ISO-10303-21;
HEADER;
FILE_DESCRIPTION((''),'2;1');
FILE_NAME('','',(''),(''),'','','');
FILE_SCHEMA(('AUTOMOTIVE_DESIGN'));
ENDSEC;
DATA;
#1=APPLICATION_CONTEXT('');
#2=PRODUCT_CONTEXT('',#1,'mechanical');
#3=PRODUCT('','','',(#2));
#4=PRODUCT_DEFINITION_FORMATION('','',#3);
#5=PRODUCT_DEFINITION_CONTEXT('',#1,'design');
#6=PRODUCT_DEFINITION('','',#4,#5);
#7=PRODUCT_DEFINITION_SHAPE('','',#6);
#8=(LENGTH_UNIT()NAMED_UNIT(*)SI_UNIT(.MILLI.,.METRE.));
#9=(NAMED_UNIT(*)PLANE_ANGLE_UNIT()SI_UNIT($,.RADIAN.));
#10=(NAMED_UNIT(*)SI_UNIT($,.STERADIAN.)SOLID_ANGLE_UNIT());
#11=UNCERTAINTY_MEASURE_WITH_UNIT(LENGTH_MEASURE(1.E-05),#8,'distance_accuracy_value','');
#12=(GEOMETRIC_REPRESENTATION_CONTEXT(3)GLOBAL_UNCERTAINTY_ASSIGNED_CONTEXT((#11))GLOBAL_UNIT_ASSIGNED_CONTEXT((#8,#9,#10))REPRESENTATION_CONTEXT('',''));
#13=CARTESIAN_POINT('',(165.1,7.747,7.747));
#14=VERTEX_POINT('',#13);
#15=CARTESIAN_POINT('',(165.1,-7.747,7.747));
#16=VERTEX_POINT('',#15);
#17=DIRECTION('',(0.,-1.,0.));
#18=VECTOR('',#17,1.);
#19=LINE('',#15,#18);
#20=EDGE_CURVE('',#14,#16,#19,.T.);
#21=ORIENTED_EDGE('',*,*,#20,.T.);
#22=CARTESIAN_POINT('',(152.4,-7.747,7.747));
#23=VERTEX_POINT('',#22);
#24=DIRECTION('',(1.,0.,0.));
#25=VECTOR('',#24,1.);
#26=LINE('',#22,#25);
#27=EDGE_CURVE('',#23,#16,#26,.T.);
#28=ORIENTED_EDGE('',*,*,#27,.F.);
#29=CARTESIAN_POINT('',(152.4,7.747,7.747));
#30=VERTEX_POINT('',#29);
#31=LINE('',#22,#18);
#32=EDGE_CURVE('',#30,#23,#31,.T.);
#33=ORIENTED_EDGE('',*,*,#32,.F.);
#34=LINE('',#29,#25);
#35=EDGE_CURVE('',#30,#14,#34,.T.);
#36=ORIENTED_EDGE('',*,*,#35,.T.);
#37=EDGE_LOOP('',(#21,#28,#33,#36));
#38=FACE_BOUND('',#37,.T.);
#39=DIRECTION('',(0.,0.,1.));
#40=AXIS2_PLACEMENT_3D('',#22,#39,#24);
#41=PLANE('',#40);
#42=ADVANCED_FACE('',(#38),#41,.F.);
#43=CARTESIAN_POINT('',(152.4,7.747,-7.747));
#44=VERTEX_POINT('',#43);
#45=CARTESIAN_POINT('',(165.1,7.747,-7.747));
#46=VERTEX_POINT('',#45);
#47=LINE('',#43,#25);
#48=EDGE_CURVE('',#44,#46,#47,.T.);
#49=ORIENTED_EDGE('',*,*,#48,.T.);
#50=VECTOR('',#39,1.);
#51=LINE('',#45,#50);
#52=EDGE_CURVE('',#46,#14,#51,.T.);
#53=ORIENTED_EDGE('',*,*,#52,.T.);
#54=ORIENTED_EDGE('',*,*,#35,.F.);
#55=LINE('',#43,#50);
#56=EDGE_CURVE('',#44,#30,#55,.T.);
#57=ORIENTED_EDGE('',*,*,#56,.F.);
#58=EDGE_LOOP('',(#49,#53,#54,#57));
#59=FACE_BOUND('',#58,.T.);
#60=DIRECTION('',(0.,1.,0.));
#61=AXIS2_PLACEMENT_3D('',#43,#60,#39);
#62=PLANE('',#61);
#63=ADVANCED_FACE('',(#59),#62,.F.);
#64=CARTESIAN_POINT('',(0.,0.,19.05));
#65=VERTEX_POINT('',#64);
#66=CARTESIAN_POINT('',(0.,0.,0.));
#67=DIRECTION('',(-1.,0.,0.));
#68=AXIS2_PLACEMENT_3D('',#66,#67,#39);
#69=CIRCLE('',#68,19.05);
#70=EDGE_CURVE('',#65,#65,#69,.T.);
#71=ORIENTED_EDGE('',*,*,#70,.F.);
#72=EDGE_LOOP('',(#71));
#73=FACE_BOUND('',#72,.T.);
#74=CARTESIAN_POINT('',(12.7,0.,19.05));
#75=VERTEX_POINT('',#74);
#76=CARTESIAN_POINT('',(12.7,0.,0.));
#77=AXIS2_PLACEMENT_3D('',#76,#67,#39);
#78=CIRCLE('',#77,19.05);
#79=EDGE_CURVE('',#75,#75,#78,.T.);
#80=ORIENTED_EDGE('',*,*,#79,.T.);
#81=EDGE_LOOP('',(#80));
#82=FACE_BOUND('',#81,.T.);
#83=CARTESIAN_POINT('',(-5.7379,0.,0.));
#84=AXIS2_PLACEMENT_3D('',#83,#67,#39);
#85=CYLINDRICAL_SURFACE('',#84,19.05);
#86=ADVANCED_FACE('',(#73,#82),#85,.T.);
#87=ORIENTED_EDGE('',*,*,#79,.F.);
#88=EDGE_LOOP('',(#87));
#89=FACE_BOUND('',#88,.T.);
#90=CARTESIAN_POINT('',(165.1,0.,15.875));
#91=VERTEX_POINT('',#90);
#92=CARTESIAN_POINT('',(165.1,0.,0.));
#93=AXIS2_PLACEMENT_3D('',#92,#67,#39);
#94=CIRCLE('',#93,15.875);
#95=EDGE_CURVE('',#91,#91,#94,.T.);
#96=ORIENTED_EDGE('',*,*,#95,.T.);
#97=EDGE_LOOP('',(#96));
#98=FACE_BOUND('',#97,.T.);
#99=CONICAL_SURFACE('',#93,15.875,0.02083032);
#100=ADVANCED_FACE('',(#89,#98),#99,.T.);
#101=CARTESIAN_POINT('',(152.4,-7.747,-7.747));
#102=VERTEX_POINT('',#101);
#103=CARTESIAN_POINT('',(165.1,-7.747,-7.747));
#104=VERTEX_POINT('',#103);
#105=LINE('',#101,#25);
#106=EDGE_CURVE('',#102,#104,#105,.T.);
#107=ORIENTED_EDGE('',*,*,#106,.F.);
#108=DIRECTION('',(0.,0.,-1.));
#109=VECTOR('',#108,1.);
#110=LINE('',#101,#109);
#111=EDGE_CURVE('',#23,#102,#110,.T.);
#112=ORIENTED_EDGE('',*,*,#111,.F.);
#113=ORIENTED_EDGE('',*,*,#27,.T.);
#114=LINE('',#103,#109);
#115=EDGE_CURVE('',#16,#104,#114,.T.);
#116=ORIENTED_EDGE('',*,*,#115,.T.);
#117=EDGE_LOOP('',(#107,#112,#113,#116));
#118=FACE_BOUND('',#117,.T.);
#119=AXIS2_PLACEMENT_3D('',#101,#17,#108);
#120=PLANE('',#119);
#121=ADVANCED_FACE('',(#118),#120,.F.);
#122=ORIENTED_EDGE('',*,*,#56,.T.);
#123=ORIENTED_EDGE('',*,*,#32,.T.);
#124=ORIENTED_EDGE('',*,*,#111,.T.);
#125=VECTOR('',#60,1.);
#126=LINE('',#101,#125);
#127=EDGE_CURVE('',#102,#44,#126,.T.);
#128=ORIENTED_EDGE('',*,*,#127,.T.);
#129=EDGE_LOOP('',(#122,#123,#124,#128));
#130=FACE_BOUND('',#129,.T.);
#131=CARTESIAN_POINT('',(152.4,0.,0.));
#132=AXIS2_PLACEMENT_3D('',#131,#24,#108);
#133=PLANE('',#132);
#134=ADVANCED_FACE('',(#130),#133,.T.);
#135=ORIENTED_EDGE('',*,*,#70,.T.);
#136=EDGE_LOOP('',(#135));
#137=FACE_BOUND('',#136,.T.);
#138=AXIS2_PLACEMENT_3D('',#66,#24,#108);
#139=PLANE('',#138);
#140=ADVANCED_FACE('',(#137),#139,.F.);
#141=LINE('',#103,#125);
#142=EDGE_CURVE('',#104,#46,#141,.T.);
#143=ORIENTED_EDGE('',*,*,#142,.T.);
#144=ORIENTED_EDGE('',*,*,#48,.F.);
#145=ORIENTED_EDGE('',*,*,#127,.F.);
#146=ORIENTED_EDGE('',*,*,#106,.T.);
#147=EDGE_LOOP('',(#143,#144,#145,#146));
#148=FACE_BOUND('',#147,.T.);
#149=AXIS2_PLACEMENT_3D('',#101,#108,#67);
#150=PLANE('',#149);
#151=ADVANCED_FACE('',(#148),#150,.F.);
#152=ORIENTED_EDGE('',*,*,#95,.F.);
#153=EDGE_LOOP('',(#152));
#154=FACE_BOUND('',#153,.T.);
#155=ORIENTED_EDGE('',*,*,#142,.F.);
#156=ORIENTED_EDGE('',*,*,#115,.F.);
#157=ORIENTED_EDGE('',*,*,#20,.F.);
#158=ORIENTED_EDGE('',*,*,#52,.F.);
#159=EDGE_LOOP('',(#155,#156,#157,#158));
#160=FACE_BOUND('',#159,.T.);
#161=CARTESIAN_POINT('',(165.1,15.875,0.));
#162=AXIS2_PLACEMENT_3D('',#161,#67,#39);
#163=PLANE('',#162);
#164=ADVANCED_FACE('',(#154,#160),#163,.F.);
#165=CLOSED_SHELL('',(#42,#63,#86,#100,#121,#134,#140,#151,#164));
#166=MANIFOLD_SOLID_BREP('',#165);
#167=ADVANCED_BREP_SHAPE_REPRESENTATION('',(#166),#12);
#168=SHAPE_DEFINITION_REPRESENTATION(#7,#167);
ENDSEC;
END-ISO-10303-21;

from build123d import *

# Parameters (mm, degrees)
SKETCH3_W          = 15.494
SKETCH3_H          = 15.494
CUT_EXTRUDE1_DEPTH = 12.7


with BuildPart() as part:
    # Sketch2 → Revolve5 (revolve)
    with BuildSketch(Plane.XY):
        Polygon((0, 0), (0, 19.05), (12.7, 19.05), (165.1, 15.875), (165.1, 0), align=None)
    revolve(axis=Axis((-5.73790049, 0, 0), (1, 0, 0)))

    # Sketch3 → Cut-Extrude1 (cut)
    with BuildSketch(Plane(origin=(165.1, 0, 0), x_dir=(0, 0, -1), z_dir=(1, 0, 0))):
        Rectangle(SKETCH3_W, SKETCH3_H)
    extrude(amount=-CUT_EXTRUDE1_DEPTH, mode=Mode.SUBTRACT)


solid = part.part
